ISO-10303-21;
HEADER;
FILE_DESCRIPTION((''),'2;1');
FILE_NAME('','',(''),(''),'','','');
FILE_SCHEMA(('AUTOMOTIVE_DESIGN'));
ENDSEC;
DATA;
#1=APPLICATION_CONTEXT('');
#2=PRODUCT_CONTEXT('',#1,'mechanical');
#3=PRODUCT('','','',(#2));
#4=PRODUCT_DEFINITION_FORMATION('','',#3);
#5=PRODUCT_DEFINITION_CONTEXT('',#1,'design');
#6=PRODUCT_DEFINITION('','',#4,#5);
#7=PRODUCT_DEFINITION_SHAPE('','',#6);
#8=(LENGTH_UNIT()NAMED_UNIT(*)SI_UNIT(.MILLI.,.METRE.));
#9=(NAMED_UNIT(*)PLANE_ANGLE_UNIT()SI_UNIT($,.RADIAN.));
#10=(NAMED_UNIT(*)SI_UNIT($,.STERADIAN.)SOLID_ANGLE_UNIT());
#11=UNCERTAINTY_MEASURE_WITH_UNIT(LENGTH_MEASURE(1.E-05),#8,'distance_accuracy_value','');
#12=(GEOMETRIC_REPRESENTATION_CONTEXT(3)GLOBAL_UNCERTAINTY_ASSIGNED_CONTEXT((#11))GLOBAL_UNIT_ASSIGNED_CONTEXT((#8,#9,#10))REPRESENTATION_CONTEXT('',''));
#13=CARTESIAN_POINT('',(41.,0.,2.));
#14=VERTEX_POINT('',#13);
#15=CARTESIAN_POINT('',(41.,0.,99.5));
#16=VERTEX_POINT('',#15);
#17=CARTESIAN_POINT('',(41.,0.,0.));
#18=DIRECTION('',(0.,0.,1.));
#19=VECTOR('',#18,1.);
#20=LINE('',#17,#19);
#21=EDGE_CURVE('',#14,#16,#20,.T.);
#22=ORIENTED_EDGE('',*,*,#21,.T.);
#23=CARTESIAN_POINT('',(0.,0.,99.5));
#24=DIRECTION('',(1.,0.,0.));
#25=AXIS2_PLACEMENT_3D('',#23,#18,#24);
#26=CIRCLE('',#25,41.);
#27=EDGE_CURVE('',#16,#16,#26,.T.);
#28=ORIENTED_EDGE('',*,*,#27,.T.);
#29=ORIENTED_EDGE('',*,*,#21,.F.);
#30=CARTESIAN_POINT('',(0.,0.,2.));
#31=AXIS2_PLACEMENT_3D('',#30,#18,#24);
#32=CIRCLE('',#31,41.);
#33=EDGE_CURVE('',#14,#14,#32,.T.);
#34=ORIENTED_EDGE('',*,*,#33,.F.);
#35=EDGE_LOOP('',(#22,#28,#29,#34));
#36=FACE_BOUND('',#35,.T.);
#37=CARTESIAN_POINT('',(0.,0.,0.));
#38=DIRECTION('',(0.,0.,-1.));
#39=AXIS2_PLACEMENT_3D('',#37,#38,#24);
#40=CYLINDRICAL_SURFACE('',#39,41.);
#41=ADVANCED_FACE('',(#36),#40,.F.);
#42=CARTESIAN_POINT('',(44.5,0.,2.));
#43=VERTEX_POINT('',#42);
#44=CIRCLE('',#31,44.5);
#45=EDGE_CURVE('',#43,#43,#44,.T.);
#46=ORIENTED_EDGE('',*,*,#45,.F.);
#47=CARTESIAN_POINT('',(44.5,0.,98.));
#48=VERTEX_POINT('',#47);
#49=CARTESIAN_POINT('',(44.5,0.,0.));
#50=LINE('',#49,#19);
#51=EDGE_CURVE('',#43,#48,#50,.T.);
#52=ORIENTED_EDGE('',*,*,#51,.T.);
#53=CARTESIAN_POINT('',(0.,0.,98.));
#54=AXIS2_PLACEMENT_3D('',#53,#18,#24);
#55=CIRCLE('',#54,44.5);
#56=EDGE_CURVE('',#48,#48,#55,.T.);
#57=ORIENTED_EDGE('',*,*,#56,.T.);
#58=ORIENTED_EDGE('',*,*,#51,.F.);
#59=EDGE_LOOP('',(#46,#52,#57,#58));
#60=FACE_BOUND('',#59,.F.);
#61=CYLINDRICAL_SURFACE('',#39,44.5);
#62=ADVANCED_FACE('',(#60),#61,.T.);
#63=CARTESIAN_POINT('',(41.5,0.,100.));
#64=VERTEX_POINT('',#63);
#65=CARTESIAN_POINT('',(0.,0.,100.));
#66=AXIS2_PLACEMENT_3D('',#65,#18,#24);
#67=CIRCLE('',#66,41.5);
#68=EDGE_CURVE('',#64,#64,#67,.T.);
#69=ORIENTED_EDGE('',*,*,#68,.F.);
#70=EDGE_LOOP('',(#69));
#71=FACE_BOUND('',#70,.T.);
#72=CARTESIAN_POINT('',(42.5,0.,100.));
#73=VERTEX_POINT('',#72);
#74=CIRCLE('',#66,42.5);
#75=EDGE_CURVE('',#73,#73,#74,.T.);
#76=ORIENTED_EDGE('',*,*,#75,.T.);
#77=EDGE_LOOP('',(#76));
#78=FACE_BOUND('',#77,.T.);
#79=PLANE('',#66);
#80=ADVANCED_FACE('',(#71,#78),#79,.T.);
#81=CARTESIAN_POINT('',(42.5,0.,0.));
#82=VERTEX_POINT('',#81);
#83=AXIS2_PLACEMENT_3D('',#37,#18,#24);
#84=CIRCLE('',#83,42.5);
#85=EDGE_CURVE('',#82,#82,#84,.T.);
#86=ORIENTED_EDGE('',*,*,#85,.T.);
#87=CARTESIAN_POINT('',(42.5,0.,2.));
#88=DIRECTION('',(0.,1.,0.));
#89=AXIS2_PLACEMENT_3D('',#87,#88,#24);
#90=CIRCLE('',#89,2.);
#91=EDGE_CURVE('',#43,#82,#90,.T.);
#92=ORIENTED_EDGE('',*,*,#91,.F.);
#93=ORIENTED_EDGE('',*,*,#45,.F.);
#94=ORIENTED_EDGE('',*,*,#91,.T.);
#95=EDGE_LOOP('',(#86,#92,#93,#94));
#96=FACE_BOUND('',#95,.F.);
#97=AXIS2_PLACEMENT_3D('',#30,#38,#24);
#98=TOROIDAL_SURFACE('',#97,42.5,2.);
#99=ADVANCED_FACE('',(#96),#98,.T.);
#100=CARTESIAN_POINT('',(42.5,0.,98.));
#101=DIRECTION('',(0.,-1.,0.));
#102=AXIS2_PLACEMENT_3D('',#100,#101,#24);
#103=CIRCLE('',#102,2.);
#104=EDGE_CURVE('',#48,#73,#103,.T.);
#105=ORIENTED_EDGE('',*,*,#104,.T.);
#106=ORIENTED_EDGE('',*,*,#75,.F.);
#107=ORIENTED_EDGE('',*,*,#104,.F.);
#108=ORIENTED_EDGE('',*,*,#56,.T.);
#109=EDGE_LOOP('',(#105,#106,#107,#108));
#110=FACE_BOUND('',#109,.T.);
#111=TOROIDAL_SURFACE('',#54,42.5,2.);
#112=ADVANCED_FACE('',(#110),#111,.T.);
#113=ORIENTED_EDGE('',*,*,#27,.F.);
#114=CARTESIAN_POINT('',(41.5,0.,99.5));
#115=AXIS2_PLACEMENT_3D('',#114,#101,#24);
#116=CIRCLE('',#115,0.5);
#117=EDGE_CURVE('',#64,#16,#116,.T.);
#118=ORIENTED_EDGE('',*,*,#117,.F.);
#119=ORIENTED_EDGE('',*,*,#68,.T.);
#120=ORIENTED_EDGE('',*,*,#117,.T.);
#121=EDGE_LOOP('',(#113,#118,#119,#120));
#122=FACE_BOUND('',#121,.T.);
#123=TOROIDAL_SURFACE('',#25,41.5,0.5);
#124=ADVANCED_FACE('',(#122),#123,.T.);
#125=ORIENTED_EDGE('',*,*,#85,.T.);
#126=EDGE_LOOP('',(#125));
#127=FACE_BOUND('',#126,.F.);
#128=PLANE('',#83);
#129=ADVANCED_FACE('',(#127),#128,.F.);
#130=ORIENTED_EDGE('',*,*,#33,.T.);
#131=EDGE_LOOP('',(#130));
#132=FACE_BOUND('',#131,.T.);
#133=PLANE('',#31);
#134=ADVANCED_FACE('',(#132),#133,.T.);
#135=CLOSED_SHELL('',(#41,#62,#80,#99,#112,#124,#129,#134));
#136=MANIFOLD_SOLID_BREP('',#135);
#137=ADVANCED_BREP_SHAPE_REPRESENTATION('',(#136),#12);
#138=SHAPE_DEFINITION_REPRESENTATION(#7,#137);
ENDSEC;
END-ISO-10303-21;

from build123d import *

# Parameters (mm, degrees)
F0_R     = 44.5
F0_R_2   = 41
F1_DEPTH = 100
F2_R     = 2
F3_R     = 0.5
F4_DEPTH = 2


with BuildPart() as f1:
    # F0 (on Top) → F1 (new body)
    with BuildSketch(Plane.XY):
        Circle(F0_R)
        Circle(F0_R_2, mode=Mode.SUBTRACT)
    extrude(amount=F1_DEPTH)

    # F2
    f2_edges = [f1.edges().sort_by_distance(p)[0] for p in [
        (-44.5, 0, 100),
        (-44.5, 0, 0),
    ]]
    fillet(f2_edges, radius=F2_R)

    # F3
    f3_edges = [f1.edges().sort_by_distance(p)[0] for p in [
        (-41, 0, 100),
    ]]
    fillet(f3_edges, radius=F3_R)

    # F0 (on Top) → F4 (join)
    with BuildSketch(Plane.XY):
        Circle(F0_R_2)
    extrude(amount=F4_DEPTH)


solid = f1.part
